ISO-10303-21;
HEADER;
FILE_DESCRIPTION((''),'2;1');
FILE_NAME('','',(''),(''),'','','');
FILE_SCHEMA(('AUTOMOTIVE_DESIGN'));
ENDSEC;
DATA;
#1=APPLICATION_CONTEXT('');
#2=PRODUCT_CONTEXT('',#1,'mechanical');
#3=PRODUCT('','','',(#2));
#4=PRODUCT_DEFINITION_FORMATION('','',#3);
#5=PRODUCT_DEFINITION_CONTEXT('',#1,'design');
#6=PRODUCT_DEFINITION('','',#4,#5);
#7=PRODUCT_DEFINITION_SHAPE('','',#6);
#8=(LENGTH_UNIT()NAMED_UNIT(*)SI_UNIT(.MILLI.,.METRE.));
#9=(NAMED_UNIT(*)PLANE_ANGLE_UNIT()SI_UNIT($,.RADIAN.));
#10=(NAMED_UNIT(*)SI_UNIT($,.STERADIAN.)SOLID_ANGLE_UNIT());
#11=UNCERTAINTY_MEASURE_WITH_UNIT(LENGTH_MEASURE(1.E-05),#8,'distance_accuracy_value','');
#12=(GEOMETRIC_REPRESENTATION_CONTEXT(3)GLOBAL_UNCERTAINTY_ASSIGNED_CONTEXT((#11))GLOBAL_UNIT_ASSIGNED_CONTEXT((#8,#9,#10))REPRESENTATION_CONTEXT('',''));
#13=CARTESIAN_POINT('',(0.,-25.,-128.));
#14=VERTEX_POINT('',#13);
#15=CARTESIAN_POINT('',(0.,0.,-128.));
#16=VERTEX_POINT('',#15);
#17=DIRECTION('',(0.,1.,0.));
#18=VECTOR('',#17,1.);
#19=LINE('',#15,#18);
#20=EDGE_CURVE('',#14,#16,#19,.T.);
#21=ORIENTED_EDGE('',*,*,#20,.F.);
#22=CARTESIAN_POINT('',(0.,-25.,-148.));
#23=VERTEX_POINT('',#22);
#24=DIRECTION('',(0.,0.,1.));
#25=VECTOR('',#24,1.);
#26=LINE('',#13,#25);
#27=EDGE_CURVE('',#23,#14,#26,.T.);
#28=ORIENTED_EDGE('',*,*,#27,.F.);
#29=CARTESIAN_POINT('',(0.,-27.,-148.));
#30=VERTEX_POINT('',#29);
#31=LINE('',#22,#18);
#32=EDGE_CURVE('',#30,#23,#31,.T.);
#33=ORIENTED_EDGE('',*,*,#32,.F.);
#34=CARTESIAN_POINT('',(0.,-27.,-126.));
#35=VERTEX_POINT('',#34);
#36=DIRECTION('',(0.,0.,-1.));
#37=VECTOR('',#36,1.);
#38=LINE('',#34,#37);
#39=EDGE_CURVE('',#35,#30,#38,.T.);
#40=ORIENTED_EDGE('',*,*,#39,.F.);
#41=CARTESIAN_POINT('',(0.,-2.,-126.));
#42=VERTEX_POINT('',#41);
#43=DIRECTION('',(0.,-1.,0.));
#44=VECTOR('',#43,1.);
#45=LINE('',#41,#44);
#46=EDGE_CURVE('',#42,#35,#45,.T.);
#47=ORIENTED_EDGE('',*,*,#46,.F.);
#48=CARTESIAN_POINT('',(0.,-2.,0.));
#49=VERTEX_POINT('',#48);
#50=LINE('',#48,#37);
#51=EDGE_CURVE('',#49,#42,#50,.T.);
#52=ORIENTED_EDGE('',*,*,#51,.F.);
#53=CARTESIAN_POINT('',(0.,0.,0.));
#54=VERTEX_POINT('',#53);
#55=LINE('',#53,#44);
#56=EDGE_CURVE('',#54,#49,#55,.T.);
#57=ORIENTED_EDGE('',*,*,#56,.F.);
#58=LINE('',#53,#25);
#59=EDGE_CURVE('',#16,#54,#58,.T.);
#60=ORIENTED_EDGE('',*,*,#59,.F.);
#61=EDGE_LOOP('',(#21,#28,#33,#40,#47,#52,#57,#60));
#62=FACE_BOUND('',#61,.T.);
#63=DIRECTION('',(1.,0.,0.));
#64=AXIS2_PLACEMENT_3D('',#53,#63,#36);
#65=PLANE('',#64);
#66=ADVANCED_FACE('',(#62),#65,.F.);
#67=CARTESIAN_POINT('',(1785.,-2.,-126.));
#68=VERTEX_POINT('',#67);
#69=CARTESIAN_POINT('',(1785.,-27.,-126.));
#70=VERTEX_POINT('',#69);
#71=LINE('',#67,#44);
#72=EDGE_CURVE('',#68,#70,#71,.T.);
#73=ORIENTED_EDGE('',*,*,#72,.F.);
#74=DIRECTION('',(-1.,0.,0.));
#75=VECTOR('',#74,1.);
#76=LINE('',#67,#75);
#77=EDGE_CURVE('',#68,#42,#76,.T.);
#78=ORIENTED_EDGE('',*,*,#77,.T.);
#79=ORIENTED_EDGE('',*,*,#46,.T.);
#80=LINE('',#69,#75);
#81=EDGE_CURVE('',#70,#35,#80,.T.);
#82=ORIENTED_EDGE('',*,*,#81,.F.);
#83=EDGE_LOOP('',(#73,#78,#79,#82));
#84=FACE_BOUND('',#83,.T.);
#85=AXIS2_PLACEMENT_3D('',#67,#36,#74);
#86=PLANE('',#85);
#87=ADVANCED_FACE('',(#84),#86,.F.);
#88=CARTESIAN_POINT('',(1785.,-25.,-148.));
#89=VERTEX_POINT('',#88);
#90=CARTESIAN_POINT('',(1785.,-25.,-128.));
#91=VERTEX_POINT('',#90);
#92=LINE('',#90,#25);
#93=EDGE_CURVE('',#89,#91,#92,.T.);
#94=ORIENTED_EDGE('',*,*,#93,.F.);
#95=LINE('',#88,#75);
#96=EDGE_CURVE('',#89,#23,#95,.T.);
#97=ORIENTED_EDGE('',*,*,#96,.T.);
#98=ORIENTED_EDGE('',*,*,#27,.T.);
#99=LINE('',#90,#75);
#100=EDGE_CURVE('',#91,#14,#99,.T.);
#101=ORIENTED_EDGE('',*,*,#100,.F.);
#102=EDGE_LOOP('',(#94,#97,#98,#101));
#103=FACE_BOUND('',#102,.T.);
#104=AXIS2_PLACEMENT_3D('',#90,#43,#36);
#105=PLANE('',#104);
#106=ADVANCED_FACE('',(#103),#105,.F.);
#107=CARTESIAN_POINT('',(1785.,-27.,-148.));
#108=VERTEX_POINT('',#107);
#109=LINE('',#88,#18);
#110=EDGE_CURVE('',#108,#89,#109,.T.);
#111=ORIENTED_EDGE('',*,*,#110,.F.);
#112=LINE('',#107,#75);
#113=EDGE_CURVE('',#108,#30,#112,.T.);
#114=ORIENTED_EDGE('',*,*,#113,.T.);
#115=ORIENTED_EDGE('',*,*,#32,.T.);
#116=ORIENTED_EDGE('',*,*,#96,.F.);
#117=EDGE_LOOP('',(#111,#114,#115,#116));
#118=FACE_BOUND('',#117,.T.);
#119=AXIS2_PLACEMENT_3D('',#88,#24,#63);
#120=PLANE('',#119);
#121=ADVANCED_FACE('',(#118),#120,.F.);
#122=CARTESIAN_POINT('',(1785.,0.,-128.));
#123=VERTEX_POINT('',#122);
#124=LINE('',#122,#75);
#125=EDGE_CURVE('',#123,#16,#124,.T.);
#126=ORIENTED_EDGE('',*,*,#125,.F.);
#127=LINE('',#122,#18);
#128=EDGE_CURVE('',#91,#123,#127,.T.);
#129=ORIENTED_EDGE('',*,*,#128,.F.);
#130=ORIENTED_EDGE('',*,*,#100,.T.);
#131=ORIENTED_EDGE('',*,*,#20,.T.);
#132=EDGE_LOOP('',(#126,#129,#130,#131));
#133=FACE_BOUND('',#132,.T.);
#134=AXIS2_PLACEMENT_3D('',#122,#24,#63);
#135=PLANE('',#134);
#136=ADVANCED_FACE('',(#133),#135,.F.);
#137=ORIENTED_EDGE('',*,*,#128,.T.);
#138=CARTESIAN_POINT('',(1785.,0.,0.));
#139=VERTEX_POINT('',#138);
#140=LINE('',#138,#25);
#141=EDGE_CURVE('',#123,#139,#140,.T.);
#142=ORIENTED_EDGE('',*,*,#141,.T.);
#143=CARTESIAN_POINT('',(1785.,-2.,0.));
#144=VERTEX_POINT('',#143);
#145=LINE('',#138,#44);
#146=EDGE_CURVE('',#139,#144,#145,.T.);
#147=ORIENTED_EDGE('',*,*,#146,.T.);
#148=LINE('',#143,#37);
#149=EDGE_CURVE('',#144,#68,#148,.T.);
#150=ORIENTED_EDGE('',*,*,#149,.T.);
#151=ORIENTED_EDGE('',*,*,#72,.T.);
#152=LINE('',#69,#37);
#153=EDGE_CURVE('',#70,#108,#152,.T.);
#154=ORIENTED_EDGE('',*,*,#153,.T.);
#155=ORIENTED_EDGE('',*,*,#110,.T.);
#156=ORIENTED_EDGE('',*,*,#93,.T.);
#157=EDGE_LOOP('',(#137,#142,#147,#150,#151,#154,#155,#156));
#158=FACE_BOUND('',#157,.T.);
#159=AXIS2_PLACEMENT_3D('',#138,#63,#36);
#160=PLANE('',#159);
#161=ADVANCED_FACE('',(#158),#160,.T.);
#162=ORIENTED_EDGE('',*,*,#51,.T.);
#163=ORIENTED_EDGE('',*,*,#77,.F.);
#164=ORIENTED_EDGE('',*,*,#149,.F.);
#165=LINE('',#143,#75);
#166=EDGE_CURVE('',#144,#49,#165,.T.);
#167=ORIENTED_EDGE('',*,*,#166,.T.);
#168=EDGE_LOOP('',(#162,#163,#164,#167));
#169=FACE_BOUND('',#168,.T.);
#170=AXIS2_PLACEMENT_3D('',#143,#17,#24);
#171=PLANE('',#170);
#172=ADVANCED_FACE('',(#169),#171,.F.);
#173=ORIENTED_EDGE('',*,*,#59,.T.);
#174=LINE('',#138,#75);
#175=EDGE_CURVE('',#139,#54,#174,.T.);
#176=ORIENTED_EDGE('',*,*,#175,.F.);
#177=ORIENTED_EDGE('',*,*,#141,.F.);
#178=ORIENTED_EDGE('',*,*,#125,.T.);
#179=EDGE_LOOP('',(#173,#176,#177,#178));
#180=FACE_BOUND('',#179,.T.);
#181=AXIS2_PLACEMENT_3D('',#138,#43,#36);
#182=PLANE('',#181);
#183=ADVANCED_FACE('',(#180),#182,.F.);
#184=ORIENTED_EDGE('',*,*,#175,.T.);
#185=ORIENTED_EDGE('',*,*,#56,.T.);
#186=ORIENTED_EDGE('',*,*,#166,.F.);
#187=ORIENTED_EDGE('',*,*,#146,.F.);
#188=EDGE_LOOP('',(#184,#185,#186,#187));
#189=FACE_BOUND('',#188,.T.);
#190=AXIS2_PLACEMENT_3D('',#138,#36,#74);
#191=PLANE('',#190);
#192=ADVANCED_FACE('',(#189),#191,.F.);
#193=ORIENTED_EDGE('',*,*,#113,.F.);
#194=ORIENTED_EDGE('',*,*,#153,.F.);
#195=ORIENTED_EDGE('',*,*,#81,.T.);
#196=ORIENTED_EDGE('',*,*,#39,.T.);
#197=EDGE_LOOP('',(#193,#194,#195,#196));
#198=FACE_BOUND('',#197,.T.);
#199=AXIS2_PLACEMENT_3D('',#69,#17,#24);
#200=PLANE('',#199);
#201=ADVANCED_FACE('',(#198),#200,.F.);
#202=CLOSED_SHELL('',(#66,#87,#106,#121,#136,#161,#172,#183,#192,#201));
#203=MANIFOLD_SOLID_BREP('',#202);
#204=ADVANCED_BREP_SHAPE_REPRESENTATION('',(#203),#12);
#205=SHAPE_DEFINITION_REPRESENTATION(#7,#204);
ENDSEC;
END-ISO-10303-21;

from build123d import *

# Parameters (mm, degrees)
BOSS_EXTRUDE2_DEPTH = 1785


with BuildPart() as part:
    # Sketch1 → Boss-Extrude2 (new body)
    with BuildSketch(Plane(origin=(0, 0, 0), x_dir=(0, 0, -1), z_dir=(1, 0, 0))):
        Polygon((0, 0), (128, 0), (128, -25), (148, -25), (148, -27), (126, -27), (126, -2), (0, -2), align=None)
    extrude(amount=BOSS_EXTRUDE2_DEPTH)


solid = part.part
